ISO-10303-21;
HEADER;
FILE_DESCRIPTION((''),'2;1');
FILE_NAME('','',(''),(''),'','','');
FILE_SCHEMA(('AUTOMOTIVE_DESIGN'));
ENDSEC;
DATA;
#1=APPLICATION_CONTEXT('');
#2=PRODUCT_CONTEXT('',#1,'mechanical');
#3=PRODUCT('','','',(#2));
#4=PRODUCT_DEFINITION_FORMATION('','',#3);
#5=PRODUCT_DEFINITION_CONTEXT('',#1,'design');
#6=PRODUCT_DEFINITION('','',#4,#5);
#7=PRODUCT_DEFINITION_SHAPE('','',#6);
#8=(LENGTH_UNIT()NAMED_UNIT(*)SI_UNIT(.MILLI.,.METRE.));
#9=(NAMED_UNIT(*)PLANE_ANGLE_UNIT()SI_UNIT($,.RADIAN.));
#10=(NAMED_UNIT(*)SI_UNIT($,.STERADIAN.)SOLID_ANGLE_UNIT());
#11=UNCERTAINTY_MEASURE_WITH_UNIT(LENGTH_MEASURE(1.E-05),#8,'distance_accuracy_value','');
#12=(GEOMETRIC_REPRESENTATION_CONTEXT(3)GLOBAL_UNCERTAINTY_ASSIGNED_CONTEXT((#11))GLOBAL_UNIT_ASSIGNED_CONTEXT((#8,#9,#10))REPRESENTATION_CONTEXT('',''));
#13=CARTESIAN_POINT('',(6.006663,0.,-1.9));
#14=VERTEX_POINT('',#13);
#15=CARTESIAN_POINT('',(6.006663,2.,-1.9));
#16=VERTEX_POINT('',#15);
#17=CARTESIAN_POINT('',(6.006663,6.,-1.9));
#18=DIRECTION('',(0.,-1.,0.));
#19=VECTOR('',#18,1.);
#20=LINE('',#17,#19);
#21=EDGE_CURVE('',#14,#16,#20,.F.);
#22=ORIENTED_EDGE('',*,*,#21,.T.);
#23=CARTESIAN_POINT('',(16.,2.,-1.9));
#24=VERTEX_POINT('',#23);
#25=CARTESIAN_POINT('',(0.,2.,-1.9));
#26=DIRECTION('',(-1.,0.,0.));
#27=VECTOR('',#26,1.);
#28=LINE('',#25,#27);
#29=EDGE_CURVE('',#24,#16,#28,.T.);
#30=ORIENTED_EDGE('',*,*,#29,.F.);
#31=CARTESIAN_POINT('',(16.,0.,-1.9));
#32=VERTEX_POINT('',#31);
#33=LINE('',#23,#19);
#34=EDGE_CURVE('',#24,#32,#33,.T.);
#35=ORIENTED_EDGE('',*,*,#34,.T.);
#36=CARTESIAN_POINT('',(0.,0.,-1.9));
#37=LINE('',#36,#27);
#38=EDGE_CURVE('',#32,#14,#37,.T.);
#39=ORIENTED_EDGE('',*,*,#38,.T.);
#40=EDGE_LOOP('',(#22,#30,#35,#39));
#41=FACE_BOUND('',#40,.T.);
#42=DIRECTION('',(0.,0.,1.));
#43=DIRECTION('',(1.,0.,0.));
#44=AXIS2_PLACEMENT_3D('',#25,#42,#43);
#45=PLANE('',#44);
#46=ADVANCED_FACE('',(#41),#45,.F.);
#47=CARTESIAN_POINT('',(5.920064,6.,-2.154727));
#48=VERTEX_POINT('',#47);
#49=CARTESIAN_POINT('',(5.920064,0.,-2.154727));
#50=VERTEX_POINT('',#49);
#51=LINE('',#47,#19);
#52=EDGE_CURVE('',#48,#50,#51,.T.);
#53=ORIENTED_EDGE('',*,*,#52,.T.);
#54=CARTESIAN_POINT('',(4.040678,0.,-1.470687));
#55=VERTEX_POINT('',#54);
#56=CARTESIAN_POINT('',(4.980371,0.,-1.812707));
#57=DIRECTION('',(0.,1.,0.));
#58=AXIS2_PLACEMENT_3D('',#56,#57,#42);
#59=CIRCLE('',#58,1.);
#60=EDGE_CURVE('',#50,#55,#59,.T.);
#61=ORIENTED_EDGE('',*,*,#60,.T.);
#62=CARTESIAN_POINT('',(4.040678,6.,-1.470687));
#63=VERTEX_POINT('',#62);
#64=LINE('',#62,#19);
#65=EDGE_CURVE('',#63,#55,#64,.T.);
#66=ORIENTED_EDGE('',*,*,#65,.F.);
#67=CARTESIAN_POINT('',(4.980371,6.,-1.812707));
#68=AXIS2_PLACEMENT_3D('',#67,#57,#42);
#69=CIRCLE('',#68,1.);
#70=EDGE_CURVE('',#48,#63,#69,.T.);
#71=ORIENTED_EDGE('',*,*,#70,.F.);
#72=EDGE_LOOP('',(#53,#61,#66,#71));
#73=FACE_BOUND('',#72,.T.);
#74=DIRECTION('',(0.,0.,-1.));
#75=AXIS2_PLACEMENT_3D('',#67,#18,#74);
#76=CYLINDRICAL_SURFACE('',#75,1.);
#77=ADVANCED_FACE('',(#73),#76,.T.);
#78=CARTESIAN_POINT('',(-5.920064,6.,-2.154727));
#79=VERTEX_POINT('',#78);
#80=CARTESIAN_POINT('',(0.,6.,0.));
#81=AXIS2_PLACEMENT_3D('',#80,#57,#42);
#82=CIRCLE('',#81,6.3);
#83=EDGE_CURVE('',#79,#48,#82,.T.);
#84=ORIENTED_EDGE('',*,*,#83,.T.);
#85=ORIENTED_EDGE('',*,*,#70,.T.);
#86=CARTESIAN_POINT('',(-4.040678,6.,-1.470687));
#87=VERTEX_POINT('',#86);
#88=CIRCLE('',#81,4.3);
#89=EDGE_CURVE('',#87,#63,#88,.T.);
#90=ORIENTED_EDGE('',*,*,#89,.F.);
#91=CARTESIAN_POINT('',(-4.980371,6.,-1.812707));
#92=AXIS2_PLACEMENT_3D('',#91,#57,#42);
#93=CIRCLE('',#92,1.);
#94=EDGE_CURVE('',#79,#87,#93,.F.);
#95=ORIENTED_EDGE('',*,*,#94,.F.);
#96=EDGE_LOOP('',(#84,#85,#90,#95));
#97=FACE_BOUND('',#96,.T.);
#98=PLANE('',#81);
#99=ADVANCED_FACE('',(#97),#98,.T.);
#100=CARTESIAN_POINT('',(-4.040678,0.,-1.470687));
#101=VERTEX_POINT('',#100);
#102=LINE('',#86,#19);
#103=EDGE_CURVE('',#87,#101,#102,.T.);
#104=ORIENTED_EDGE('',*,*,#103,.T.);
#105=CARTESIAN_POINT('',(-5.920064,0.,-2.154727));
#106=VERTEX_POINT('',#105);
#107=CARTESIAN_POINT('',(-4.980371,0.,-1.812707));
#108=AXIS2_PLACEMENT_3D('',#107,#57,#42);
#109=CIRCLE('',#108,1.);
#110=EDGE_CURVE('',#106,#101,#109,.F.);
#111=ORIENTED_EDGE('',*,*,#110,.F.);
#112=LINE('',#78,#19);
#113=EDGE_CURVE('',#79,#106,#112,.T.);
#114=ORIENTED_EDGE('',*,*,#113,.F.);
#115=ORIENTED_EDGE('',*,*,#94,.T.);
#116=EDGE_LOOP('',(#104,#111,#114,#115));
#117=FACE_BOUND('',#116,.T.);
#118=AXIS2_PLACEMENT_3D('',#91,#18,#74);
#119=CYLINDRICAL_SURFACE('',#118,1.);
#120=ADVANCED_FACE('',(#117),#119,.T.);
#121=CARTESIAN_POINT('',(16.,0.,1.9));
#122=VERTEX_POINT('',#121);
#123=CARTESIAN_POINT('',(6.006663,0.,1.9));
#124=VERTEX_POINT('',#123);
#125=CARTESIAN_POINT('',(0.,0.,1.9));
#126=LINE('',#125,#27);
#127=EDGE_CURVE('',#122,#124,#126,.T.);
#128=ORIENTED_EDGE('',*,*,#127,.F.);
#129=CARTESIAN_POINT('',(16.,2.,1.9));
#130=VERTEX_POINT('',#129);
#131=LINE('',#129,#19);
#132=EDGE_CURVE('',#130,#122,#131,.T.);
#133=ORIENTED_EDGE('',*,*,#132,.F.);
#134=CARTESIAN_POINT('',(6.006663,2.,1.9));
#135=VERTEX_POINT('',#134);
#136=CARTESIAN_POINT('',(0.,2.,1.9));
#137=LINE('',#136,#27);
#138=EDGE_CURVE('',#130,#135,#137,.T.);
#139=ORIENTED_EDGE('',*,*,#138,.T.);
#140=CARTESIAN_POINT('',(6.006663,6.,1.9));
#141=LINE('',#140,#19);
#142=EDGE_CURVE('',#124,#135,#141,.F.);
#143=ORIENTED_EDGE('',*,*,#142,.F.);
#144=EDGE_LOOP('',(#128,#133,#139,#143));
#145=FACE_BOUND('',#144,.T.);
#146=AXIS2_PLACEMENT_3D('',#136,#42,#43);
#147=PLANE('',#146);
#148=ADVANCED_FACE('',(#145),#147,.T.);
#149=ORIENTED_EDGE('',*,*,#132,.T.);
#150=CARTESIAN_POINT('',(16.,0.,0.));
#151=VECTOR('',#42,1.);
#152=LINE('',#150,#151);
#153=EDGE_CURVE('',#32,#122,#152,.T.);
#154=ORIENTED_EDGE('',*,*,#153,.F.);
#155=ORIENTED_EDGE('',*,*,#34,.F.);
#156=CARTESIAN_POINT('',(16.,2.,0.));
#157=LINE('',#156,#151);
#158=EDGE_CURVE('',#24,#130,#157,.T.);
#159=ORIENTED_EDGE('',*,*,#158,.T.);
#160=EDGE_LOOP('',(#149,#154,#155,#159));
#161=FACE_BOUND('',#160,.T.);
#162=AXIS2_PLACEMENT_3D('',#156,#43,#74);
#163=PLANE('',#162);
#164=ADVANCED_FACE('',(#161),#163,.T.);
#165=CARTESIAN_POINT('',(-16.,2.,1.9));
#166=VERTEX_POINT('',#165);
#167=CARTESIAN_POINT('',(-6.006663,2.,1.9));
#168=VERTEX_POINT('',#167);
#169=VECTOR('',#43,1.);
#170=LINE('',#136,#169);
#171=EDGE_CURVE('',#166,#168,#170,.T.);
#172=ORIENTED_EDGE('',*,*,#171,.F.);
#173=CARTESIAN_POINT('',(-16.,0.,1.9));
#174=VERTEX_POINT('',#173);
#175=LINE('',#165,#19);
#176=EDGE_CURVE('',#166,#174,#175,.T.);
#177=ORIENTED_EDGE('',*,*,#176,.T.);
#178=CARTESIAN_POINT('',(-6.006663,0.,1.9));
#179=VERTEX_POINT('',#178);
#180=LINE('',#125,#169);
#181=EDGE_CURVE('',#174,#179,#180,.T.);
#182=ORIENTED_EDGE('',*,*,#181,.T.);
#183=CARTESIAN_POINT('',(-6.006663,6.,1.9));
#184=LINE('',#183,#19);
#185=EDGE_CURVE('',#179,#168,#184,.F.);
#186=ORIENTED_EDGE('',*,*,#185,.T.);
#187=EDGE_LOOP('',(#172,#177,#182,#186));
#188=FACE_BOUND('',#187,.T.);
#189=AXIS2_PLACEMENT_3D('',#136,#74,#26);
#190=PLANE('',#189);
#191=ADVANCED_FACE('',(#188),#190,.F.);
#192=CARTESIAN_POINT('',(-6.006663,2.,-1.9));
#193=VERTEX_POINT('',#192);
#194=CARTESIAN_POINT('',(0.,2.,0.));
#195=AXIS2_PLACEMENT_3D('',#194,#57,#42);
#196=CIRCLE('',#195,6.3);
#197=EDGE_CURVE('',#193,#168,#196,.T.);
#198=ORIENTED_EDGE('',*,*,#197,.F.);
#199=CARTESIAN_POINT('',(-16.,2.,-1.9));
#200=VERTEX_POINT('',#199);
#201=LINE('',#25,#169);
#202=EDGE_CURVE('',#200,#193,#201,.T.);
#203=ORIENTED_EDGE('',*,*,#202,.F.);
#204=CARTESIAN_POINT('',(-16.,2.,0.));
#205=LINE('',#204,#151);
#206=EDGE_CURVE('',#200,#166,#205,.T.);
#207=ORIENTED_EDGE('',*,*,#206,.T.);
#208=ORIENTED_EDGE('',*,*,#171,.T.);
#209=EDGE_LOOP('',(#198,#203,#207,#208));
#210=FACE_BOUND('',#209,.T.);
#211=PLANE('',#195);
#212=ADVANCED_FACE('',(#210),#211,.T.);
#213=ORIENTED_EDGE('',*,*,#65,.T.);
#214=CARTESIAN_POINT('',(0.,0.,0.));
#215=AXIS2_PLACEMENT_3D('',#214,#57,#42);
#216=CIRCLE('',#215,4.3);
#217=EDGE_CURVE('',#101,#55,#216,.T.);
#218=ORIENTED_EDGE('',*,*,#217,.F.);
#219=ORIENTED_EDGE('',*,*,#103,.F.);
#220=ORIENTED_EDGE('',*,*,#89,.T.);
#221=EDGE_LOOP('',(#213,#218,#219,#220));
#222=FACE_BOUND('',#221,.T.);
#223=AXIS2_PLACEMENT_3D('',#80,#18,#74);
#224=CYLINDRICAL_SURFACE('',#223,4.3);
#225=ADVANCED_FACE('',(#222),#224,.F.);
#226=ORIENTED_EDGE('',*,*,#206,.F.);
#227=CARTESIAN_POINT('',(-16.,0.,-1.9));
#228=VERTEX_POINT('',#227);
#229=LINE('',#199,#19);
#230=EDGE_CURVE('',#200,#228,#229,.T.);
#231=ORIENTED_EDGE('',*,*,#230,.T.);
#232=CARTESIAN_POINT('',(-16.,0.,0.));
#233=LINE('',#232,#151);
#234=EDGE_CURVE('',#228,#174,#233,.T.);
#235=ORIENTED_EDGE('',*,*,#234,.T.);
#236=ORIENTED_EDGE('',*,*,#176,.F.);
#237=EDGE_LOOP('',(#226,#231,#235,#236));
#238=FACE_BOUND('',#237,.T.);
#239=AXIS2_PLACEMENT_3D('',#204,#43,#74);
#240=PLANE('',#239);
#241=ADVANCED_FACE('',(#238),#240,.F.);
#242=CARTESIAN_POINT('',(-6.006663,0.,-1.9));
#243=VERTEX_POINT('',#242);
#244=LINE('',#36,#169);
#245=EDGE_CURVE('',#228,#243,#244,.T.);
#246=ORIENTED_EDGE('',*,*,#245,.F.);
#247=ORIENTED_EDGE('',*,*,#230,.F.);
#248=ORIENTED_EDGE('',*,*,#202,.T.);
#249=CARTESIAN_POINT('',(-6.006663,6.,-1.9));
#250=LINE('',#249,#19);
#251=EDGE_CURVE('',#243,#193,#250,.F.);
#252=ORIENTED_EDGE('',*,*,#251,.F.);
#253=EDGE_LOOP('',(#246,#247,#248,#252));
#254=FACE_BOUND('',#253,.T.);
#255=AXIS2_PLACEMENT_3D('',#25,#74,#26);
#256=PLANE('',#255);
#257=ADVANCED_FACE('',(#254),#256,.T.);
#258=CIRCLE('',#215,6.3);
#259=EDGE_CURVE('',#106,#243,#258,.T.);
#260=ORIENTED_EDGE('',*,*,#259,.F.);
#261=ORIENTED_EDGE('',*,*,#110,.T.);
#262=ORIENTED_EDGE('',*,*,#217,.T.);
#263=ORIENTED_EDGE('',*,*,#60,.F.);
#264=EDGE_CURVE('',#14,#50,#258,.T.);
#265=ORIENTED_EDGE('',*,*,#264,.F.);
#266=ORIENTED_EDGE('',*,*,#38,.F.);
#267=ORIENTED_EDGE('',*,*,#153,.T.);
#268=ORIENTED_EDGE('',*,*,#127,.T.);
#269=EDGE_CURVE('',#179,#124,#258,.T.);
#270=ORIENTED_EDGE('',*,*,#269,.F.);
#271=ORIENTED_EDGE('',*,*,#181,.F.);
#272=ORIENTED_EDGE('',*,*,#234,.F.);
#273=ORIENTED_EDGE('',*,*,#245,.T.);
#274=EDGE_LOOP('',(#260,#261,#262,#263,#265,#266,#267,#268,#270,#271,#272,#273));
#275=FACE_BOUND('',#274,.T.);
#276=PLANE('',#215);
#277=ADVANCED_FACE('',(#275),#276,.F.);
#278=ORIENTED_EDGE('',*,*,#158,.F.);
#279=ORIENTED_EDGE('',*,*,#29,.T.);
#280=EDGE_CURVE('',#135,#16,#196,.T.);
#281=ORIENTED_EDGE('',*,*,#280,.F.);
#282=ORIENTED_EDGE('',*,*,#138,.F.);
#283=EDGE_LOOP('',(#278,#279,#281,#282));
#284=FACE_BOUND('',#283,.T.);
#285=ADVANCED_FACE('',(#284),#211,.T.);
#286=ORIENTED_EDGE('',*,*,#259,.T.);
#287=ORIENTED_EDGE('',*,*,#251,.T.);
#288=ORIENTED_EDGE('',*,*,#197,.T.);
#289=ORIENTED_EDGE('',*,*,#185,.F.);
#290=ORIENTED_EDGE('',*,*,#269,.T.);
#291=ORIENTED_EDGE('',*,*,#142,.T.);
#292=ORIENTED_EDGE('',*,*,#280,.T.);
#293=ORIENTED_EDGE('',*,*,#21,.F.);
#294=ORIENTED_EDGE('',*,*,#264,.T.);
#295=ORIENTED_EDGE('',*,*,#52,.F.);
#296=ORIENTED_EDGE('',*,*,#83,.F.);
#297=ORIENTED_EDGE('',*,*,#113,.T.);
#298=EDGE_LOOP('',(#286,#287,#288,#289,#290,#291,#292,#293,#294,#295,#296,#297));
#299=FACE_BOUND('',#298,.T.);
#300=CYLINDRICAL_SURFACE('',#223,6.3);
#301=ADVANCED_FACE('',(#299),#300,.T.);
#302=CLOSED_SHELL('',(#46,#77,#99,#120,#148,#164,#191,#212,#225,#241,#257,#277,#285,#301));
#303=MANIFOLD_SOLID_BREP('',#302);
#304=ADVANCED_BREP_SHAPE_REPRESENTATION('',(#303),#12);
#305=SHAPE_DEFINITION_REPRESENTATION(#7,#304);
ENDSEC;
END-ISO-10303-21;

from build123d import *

# Parameters (mm, degrees)
BOSS_EXTRUDE1_DEPTH = 6
SKETCH2_W           = 11.5
SKETCH2_H           = 3.8
SKETCH2_H_2         = 1.9
BOSS_EXTRUDE2_DEPTH = 2


with BuildPart() as part:
    # Sketch1 → Boss-Extrude1 (new body)
    with BuildSketch(Plane(origin=(0, 0, 0), x_dir=(1, 0, 0), z_dir=(0, 1, 0))):
        with BuildLine():
            Line((6.3, 0), (4.3, 0))
            ThreePointArc((4.3, 0), (-0.746687164, -4.234673338), (-4.040678269, 1.470686616))
            ThreePointArc((-4.040678269, 1.470686616), (-4.638350747, 2.75239938), (-5.920063511, 2.154726903))
            ThreePointArc((-5.920063511, 2.154726903), (-1.093983519, -6.204288844), (6.3, 0))
        make_face()
        with BuildLine():
            ThreePointArc((4.040678269, 1.470686616), (4.234673338, 0.746687164), (4.3, 0))
            Line((4.3, 0), (6.3, 0))
            ThreePointArc((6.3, 0), (6.204288844, 1.093983519), (5.920063511, 2.154726903))
            Line((5.920063511, 2.154726903), (4.98037089, 1.81270676))
            Line((4.98037089, 1.81270676), (4.040678269, 1.470686616))
        make_face()
        with BuildLine():
            ThreePointArc((5.920063511, 2.154726903), (4.638350747, 2.75239938), (4.040678269, 1.470686616))
            Line((4.040678269, 1.470686616), (4.98037089, 1.81270676))
            Line((4.98037089, 1.81270676), (5.920063511, 2.154726903))
        make_face()
    extrude(amount=BOSS_EXTRUDE1_DEPTH)

    # Sketch2 → Boss-Extrude2 (add)
    with BuildSketch(Plane(origin=(0, 0, 0), x_dir=(1, 0, 0), z_dir=(0, 1, 0))):
        with Locations((-10.25, 0)):
            Rectangle(SKETCH2_W, SKETCH2_H)
        with Locations((10.25, -0.95)):
            Rectangle(SKETCH2_W, SKETCH2_H_2)
        with Locations((10.25, 0.95)):
            Rectangle(SKETCH2_W, SKETCH2_H_2)
    extrude(amount=BOSS_EXTRUDE2_DEPTH)


solid = part.part
